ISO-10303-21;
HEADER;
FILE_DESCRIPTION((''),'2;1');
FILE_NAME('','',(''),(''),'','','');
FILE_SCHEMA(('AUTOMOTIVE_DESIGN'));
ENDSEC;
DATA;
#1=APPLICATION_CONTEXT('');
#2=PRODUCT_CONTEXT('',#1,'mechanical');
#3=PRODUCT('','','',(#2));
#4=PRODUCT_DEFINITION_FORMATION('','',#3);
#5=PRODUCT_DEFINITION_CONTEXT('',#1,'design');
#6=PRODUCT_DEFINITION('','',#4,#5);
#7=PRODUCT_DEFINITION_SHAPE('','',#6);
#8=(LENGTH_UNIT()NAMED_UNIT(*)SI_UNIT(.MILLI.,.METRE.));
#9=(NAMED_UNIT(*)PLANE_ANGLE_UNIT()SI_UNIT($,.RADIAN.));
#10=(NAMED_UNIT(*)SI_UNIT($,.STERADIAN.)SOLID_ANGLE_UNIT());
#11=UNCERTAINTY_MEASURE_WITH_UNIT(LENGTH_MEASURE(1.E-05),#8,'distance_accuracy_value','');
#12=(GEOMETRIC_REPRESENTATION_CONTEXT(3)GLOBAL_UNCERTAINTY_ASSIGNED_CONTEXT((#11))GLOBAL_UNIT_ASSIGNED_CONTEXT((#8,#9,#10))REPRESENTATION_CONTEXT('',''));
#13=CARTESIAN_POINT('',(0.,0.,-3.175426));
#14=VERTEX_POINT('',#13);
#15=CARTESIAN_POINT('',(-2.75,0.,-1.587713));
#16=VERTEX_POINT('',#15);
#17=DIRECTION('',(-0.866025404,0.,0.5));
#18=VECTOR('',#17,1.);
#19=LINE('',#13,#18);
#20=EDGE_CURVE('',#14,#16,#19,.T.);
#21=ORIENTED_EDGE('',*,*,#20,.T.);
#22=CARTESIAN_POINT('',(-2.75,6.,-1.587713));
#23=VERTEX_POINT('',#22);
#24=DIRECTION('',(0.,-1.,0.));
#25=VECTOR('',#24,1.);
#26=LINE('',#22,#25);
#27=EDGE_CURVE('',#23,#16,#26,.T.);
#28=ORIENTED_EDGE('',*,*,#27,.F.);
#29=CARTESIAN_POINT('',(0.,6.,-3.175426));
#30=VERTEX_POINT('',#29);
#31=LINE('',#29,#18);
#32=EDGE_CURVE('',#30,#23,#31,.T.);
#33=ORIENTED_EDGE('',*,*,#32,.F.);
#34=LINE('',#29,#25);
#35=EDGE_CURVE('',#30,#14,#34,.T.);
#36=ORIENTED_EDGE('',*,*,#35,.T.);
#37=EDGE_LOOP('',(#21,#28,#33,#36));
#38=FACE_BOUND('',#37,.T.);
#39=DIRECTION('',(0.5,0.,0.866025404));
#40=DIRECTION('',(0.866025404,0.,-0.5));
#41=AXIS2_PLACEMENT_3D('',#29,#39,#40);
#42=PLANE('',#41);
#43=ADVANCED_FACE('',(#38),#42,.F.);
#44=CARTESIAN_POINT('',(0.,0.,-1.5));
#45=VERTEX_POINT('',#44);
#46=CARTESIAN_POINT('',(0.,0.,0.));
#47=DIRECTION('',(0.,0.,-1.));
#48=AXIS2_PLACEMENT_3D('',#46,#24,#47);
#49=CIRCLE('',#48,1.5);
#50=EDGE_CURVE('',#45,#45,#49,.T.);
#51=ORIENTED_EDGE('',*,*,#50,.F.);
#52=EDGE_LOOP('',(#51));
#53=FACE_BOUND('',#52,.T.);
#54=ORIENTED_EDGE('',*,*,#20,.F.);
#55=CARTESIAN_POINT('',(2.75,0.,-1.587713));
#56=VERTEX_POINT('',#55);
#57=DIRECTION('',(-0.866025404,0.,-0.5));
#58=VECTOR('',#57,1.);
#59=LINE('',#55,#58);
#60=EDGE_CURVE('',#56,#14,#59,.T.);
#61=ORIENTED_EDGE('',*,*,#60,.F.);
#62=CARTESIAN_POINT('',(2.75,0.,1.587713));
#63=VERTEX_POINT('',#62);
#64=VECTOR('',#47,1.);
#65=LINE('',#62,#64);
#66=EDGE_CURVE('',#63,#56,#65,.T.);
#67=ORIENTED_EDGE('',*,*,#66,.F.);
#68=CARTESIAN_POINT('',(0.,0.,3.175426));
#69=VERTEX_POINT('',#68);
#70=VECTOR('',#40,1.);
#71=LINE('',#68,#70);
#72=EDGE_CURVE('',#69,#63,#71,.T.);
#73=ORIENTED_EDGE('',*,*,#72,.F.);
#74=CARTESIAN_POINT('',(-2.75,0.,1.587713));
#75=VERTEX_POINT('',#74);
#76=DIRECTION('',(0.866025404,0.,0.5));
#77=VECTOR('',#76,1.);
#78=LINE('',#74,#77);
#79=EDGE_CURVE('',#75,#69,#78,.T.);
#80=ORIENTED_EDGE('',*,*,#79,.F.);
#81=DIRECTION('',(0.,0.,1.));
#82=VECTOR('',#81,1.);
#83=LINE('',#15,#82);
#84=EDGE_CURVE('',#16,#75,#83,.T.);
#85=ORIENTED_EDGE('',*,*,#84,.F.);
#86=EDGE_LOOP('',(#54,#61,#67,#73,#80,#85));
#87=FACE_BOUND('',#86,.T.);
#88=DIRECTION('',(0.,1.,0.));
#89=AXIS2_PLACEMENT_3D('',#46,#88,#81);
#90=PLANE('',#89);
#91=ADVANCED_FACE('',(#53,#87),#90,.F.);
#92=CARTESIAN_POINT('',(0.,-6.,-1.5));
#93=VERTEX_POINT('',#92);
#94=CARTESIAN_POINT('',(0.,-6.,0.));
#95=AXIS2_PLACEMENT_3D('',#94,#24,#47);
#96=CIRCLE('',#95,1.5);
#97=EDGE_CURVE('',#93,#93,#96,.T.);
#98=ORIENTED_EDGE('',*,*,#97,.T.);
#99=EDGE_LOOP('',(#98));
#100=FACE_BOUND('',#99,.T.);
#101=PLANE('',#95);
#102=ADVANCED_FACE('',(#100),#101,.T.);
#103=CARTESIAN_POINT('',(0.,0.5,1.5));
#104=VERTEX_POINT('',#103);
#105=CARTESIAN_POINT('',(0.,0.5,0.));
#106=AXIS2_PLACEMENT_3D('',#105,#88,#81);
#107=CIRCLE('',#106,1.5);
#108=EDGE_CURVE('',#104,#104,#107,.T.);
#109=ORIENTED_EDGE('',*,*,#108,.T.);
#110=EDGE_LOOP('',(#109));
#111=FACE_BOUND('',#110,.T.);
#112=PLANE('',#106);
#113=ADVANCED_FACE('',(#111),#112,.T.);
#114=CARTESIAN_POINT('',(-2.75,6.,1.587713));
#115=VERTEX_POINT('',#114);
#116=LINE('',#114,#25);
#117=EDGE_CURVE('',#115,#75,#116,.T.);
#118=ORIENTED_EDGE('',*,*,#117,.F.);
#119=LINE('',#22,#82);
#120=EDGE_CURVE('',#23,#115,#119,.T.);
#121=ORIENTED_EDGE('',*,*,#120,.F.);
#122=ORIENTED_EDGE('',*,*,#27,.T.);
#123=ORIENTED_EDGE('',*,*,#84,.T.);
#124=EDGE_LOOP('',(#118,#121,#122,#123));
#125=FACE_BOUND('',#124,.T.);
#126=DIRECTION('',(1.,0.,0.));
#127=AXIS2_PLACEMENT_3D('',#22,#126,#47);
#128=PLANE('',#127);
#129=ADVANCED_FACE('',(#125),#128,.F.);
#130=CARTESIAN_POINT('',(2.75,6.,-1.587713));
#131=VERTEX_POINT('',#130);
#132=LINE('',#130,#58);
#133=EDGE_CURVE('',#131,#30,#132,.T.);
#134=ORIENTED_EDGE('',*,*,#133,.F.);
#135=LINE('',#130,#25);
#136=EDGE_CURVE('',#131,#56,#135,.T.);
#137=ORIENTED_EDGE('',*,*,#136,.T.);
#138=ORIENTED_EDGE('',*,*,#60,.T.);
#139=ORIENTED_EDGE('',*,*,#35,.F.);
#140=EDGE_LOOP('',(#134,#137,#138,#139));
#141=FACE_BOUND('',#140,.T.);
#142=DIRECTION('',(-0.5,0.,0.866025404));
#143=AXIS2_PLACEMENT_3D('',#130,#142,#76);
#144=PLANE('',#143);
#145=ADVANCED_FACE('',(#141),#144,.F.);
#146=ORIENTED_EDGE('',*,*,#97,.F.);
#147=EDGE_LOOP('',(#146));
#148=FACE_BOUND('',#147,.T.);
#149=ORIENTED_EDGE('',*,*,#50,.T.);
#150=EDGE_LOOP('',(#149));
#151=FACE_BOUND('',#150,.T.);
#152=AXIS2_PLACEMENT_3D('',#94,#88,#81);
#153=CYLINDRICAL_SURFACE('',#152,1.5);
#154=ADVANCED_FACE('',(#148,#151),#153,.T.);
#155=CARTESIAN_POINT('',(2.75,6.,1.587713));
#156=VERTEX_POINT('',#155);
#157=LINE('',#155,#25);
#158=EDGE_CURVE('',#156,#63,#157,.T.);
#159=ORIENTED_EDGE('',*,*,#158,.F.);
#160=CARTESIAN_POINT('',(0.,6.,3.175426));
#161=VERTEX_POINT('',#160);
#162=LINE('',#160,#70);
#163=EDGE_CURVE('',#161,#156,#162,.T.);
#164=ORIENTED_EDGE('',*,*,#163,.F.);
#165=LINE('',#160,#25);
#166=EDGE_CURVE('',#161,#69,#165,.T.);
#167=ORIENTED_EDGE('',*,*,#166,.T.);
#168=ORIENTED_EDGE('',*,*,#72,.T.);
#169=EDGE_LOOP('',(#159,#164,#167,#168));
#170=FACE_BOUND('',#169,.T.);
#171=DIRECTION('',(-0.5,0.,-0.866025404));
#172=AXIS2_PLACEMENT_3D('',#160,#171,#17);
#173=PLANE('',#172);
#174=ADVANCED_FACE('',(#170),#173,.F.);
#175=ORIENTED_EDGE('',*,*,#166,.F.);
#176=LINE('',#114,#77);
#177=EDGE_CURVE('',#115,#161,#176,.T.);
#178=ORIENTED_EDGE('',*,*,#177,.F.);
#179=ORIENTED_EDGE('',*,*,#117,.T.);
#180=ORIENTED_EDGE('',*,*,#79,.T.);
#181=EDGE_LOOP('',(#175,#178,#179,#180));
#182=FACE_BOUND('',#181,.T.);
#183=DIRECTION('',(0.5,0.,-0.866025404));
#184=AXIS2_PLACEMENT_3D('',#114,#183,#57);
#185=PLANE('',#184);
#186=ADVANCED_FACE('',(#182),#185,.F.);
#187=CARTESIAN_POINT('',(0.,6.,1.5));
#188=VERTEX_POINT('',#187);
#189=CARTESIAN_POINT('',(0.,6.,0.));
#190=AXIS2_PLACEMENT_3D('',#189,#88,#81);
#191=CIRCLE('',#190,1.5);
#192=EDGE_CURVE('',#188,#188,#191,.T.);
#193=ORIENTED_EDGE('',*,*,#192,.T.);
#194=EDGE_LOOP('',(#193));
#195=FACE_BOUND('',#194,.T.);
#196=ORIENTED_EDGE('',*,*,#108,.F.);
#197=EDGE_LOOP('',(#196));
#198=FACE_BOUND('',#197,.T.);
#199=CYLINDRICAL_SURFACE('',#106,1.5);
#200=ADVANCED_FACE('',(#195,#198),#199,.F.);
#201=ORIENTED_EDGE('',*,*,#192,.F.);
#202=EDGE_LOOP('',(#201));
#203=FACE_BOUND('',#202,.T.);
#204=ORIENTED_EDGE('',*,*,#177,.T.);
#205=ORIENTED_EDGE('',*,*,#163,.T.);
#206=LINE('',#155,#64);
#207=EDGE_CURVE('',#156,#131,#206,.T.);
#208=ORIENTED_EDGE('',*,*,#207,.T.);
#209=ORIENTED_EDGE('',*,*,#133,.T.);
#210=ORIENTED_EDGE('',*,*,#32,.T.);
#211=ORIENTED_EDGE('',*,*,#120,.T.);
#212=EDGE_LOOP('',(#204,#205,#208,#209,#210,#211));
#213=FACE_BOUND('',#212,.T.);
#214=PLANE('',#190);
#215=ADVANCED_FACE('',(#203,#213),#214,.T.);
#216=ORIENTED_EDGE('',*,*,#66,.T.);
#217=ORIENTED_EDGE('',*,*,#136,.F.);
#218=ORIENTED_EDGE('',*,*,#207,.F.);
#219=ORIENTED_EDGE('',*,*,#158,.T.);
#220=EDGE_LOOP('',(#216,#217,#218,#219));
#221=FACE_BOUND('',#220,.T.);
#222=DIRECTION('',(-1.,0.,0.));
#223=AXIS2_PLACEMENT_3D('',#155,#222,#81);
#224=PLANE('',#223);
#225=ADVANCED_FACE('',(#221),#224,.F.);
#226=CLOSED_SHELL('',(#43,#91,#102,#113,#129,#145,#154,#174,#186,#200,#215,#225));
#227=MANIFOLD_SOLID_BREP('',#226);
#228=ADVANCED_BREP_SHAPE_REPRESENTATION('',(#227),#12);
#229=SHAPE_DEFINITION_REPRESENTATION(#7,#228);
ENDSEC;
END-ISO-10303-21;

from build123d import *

# Parameters (mm, degrees)
SALIENTE_EXTRUIR1_DEPTH = 6
CROQUIS2_R              = 1.5
SALIENTE_EXTRUIR2_DEPTH = 6
CROQUIS3_R              = 1.5
CORTAR_EXTRUIR1_DEPTH   = 5.5


with BuildPart() as part:
    # Croquis1 → Saliente-Extruir1 (new body)
    with BuildSketch(Plane(origin=(0, 0, 0), x_dir=(1, 0, 0), z_dir=(0, 1, 0))):
        Polygon((0, 3.175426481), (-2.75, 1.58771324), (-2.75, -1.58771324), (0, -3.175426481), (2.75, -1.58771324), (2.75, 1.58771324), align=None)
    extrude(amount=SALIENTE_EXTRUIR1_DEPTH)

    # Croquis2 → Saliente-Extruir2 (add)
    with BuildSketch(Plane.XZ):
        Circle(CROQUIS2_R)
    extrude(amount=SALIENTE_EXTRUIR2_DEPTH)

    # Croquis3 → Cortar-Extruir1 (cut)
    with BuildSketch(Plane(origin=(0, 6, 0), x_dir=(1, 0, 0), z_dir=(0, 1, 0))):
        Circle(CROQUIS3_R)
    extrude(amount=-CORTAR_EXTRUIR1_DEPTH, mode=Mode.SUBTRACT)


solid = part.part
